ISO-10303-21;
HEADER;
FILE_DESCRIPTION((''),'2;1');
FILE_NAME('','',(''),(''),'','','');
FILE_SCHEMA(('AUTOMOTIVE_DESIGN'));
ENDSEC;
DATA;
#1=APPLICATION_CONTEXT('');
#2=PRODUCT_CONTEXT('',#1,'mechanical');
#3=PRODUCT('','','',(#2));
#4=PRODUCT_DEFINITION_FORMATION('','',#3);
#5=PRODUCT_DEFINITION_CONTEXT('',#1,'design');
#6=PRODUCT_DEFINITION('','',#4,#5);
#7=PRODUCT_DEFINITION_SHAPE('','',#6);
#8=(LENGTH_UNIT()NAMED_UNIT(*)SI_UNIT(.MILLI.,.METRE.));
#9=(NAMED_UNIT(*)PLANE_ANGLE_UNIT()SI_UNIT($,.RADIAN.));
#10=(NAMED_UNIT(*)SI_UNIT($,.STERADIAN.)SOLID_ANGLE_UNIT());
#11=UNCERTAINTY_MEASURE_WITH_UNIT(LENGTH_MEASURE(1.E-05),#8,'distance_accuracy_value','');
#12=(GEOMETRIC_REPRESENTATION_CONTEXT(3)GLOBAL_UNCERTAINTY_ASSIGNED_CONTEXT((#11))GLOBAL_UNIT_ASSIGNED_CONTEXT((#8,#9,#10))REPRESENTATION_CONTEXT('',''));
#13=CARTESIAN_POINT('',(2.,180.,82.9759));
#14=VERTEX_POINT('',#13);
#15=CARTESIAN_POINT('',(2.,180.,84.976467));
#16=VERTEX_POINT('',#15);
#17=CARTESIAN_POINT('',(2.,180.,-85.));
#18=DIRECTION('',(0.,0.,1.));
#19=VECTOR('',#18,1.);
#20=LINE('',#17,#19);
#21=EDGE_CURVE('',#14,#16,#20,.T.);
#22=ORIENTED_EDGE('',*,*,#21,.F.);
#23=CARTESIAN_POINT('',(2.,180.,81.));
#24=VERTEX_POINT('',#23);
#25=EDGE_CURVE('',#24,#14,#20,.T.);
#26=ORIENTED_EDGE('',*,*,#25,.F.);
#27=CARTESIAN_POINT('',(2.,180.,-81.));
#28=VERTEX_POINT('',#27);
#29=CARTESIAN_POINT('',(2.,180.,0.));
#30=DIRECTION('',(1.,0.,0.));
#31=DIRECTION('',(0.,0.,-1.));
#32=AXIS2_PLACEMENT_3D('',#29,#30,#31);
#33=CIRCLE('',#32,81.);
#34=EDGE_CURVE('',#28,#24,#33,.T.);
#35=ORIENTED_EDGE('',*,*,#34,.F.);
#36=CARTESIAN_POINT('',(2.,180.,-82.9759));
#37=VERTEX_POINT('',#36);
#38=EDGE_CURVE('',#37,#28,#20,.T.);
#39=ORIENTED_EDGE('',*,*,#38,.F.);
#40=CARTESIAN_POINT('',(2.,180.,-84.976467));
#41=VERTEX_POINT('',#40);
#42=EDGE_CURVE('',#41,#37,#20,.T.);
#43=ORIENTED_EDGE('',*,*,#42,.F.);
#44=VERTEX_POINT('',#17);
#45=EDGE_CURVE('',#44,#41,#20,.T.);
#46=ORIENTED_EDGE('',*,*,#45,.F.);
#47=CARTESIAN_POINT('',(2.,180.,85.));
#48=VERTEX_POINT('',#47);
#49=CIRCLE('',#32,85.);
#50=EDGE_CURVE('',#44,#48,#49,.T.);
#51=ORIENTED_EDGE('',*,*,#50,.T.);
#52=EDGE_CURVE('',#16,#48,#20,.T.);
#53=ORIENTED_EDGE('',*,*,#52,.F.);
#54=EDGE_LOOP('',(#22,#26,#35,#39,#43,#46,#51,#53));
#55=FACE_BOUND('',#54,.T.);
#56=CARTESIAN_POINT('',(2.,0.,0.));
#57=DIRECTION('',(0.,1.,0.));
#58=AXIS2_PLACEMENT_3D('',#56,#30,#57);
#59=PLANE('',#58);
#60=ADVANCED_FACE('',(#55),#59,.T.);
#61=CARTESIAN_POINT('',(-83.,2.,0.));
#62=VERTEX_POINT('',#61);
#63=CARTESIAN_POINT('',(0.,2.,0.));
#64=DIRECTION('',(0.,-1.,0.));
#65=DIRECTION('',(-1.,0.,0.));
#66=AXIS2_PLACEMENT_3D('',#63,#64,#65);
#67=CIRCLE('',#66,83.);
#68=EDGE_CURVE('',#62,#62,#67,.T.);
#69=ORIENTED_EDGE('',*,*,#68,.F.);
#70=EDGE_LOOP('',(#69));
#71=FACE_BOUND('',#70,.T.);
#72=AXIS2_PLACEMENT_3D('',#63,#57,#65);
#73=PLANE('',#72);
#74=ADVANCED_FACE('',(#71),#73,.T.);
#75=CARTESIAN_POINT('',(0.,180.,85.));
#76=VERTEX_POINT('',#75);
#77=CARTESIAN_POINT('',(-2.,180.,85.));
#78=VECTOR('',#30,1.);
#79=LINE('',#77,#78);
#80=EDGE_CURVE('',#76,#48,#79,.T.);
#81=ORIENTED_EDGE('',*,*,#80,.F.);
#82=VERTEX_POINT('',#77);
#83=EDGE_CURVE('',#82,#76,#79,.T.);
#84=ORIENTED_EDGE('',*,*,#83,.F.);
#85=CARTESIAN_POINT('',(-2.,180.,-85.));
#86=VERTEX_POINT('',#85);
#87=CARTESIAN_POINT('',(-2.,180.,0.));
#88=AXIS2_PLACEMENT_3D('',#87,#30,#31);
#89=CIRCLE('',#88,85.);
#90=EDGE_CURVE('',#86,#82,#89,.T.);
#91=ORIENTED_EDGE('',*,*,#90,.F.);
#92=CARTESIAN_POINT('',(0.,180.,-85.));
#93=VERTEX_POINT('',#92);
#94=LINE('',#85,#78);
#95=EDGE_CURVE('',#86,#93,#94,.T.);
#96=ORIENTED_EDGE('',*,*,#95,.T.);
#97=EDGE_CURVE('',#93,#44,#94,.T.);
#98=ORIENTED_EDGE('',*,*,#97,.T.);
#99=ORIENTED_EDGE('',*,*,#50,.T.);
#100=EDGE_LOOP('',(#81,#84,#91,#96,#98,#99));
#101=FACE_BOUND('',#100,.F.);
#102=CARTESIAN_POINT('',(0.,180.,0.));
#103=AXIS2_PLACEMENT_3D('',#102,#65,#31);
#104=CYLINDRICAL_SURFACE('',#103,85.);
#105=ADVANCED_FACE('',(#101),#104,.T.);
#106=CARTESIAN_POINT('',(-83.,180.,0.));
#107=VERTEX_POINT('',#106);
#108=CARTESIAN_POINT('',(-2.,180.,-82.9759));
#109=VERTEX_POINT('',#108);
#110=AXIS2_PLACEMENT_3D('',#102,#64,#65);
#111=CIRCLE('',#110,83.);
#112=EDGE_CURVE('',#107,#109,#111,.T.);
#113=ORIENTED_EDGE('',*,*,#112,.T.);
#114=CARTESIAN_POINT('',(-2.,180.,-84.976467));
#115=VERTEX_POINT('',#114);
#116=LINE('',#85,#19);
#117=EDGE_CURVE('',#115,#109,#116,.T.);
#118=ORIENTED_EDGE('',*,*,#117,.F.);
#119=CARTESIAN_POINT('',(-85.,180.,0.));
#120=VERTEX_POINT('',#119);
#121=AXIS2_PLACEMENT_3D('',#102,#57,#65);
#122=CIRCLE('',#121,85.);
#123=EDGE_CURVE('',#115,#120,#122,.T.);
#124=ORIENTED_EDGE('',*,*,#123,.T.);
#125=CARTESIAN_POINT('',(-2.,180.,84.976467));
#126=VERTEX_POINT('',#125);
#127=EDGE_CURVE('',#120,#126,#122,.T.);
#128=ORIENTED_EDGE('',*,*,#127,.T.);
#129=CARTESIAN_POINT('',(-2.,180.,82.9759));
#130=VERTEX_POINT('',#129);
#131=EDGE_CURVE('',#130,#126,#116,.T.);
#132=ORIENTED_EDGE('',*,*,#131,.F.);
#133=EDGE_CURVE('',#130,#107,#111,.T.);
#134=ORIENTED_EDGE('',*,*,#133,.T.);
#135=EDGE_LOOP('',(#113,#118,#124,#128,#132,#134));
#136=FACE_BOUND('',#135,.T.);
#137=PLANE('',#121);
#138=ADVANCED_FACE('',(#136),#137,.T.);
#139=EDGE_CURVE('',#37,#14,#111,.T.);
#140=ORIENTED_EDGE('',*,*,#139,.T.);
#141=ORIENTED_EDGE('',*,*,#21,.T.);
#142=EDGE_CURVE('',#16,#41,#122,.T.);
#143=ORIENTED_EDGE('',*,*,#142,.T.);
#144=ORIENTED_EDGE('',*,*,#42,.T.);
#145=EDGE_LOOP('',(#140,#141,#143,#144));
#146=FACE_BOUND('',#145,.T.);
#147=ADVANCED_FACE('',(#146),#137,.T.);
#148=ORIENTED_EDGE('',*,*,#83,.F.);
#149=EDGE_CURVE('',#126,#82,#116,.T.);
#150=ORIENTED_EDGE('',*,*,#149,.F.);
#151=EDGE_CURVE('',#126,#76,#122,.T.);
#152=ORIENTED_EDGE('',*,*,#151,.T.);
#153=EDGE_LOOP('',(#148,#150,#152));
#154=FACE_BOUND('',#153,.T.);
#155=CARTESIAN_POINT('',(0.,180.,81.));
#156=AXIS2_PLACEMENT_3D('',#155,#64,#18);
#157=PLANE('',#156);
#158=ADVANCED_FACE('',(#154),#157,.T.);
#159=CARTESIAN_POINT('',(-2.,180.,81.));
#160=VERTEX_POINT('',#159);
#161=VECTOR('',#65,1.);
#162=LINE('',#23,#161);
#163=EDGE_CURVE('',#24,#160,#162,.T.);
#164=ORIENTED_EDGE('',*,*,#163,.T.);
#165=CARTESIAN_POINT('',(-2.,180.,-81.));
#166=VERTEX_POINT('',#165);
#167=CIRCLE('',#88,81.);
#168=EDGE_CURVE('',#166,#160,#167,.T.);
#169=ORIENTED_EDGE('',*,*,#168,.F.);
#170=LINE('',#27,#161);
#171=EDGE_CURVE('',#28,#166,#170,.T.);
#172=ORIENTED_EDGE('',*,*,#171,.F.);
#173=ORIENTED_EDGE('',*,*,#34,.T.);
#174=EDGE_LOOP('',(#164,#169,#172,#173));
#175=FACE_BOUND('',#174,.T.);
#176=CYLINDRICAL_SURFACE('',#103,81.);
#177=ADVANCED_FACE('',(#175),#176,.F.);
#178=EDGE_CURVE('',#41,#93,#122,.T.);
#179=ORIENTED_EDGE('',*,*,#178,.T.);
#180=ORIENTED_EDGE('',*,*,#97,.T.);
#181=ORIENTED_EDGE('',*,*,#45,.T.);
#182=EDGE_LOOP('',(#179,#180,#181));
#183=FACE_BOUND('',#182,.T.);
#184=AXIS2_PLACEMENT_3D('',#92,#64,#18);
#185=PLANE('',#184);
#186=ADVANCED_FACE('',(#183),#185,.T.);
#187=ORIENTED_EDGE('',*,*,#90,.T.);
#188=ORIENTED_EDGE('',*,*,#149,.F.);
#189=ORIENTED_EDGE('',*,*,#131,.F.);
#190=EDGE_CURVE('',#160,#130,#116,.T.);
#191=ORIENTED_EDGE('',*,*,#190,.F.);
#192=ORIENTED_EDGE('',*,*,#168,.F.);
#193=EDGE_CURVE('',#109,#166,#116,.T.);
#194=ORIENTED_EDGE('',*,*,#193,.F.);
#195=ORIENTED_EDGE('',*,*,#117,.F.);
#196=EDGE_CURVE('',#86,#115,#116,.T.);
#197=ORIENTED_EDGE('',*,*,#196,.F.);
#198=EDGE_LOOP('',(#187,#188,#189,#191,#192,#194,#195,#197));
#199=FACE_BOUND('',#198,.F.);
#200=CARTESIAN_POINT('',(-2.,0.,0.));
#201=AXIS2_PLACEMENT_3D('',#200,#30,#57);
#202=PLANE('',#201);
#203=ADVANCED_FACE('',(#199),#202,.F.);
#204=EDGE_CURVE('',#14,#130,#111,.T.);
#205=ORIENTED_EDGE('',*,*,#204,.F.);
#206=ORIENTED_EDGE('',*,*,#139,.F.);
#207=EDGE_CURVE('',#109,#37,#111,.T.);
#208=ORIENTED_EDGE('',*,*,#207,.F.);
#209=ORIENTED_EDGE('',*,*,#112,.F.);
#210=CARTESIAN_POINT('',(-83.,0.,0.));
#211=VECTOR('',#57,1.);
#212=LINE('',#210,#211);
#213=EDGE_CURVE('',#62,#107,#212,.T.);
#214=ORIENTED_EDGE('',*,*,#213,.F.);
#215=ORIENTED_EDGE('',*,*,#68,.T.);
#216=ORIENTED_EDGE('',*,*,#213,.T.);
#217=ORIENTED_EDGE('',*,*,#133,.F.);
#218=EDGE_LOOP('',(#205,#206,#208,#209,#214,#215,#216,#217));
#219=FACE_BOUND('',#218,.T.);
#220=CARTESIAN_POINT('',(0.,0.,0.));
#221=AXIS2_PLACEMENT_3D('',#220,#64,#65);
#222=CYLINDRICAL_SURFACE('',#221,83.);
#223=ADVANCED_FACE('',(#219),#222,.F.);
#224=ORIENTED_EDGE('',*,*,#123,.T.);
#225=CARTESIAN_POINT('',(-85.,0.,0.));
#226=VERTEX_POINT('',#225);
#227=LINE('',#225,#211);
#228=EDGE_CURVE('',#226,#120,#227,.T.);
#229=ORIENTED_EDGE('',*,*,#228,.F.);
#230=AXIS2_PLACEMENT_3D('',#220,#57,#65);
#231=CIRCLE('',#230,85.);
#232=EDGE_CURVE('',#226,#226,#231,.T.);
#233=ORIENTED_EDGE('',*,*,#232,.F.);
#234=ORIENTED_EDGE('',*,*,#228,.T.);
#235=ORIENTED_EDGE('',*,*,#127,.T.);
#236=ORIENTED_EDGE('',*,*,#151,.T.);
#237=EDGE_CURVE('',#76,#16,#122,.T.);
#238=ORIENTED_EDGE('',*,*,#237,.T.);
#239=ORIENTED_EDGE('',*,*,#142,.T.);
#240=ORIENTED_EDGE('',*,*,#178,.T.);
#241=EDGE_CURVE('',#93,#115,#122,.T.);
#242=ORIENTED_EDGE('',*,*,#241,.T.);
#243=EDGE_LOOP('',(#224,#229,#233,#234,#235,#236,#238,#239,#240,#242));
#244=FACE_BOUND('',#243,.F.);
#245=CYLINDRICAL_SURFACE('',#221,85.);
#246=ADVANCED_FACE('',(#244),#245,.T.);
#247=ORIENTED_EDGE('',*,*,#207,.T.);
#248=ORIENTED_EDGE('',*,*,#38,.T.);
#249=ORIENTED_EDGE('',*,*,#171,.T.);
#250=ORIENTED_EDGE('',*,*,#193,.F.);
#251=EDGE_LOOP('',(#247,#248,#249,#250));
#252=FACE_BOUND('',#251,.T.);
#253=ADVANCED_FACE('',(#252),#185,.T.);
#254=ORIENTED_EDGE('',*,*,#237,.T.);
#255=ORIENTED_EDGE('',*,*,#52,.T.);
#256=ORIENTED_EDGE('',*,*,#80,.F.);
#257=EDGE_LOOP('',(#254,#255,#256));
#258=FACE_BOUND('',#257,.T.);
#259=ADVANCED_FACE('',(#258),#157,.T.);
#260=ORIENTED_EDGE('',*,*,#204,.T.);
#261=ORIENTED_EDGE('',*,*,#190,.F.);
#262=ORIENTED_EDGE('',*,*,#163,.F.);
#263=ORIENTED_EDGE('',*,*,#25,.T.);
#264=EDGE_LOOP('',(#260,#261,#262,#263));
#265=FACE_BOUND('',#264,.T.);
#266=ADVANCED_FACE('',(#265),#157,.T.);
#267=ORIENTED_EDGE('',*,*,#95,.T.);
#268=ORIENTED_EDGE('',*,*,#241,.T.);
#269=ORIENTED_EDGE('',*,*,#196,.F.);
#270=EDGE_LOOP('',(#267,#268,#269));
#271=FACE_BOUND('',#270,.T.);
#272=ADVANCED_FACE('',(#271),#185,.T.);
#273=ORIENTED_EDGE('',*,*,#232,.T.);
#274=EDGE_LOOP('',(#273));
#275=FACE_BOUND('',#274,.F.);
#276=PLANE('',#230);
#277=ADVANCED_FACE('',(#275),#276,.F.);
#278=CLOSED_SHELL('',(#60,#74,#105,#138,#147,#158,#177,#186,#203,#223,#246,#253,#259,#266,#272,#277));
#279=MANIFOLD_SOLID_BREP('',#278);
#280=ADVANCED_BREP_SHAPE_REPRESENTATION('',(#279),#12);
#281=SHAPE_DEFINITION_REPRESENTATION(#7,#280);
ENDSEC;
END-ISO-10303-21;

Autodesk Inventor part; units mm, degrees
ref_plane "YZ Plane" through (0, 0, 0) normal (1, 0, 0) x (0, 1, 0)
ref_plane "XZ Plane" through (0, 0, 0) normal (0, 1, 0) x (-1, 0, 0)
ref_plane "XY Plane" through (0, 0, 0) normal (0, 0, 1) x (1, 0, 0)
sketch "Sketch1" plane through (0, 0, 0) normal (0, 1, 0) x (-1, 0, 0)
  circle A0 centre (0, 0) radius 85
  dimension "d0" = 170
extrude "Extrusion1" add sketch "Sketch1" along normal blind 180
shell "Shell1" thickness 2 removed faces 1 at (4.1372, 180, 51.3099)
sketch "Sketch2" plane through (0, 0, 0) normal (1, 0, 0) x (0, 1, 0)
  line L0 (180, -85) -> (180, 85) projected
  line L1 (0, 85) -> (0, -85) projected
  arc A0 (180, -85) -> (180, 85) centre (180, 0) ccw
  line L2 (0, 85) -> (180, 85) projected
  line L3 (0, -85) -> (180, -85) projected
  arc A1 (180, -81) -> (180, 81) centre (180, 0) ccw
  point P0 (0, 0)
  dimension "d4" = 4
extrude "Extrusion2" add sketch "Sketch2" along normal mid plane 4 contours L0 A1 A0
properties part number "emmer"
